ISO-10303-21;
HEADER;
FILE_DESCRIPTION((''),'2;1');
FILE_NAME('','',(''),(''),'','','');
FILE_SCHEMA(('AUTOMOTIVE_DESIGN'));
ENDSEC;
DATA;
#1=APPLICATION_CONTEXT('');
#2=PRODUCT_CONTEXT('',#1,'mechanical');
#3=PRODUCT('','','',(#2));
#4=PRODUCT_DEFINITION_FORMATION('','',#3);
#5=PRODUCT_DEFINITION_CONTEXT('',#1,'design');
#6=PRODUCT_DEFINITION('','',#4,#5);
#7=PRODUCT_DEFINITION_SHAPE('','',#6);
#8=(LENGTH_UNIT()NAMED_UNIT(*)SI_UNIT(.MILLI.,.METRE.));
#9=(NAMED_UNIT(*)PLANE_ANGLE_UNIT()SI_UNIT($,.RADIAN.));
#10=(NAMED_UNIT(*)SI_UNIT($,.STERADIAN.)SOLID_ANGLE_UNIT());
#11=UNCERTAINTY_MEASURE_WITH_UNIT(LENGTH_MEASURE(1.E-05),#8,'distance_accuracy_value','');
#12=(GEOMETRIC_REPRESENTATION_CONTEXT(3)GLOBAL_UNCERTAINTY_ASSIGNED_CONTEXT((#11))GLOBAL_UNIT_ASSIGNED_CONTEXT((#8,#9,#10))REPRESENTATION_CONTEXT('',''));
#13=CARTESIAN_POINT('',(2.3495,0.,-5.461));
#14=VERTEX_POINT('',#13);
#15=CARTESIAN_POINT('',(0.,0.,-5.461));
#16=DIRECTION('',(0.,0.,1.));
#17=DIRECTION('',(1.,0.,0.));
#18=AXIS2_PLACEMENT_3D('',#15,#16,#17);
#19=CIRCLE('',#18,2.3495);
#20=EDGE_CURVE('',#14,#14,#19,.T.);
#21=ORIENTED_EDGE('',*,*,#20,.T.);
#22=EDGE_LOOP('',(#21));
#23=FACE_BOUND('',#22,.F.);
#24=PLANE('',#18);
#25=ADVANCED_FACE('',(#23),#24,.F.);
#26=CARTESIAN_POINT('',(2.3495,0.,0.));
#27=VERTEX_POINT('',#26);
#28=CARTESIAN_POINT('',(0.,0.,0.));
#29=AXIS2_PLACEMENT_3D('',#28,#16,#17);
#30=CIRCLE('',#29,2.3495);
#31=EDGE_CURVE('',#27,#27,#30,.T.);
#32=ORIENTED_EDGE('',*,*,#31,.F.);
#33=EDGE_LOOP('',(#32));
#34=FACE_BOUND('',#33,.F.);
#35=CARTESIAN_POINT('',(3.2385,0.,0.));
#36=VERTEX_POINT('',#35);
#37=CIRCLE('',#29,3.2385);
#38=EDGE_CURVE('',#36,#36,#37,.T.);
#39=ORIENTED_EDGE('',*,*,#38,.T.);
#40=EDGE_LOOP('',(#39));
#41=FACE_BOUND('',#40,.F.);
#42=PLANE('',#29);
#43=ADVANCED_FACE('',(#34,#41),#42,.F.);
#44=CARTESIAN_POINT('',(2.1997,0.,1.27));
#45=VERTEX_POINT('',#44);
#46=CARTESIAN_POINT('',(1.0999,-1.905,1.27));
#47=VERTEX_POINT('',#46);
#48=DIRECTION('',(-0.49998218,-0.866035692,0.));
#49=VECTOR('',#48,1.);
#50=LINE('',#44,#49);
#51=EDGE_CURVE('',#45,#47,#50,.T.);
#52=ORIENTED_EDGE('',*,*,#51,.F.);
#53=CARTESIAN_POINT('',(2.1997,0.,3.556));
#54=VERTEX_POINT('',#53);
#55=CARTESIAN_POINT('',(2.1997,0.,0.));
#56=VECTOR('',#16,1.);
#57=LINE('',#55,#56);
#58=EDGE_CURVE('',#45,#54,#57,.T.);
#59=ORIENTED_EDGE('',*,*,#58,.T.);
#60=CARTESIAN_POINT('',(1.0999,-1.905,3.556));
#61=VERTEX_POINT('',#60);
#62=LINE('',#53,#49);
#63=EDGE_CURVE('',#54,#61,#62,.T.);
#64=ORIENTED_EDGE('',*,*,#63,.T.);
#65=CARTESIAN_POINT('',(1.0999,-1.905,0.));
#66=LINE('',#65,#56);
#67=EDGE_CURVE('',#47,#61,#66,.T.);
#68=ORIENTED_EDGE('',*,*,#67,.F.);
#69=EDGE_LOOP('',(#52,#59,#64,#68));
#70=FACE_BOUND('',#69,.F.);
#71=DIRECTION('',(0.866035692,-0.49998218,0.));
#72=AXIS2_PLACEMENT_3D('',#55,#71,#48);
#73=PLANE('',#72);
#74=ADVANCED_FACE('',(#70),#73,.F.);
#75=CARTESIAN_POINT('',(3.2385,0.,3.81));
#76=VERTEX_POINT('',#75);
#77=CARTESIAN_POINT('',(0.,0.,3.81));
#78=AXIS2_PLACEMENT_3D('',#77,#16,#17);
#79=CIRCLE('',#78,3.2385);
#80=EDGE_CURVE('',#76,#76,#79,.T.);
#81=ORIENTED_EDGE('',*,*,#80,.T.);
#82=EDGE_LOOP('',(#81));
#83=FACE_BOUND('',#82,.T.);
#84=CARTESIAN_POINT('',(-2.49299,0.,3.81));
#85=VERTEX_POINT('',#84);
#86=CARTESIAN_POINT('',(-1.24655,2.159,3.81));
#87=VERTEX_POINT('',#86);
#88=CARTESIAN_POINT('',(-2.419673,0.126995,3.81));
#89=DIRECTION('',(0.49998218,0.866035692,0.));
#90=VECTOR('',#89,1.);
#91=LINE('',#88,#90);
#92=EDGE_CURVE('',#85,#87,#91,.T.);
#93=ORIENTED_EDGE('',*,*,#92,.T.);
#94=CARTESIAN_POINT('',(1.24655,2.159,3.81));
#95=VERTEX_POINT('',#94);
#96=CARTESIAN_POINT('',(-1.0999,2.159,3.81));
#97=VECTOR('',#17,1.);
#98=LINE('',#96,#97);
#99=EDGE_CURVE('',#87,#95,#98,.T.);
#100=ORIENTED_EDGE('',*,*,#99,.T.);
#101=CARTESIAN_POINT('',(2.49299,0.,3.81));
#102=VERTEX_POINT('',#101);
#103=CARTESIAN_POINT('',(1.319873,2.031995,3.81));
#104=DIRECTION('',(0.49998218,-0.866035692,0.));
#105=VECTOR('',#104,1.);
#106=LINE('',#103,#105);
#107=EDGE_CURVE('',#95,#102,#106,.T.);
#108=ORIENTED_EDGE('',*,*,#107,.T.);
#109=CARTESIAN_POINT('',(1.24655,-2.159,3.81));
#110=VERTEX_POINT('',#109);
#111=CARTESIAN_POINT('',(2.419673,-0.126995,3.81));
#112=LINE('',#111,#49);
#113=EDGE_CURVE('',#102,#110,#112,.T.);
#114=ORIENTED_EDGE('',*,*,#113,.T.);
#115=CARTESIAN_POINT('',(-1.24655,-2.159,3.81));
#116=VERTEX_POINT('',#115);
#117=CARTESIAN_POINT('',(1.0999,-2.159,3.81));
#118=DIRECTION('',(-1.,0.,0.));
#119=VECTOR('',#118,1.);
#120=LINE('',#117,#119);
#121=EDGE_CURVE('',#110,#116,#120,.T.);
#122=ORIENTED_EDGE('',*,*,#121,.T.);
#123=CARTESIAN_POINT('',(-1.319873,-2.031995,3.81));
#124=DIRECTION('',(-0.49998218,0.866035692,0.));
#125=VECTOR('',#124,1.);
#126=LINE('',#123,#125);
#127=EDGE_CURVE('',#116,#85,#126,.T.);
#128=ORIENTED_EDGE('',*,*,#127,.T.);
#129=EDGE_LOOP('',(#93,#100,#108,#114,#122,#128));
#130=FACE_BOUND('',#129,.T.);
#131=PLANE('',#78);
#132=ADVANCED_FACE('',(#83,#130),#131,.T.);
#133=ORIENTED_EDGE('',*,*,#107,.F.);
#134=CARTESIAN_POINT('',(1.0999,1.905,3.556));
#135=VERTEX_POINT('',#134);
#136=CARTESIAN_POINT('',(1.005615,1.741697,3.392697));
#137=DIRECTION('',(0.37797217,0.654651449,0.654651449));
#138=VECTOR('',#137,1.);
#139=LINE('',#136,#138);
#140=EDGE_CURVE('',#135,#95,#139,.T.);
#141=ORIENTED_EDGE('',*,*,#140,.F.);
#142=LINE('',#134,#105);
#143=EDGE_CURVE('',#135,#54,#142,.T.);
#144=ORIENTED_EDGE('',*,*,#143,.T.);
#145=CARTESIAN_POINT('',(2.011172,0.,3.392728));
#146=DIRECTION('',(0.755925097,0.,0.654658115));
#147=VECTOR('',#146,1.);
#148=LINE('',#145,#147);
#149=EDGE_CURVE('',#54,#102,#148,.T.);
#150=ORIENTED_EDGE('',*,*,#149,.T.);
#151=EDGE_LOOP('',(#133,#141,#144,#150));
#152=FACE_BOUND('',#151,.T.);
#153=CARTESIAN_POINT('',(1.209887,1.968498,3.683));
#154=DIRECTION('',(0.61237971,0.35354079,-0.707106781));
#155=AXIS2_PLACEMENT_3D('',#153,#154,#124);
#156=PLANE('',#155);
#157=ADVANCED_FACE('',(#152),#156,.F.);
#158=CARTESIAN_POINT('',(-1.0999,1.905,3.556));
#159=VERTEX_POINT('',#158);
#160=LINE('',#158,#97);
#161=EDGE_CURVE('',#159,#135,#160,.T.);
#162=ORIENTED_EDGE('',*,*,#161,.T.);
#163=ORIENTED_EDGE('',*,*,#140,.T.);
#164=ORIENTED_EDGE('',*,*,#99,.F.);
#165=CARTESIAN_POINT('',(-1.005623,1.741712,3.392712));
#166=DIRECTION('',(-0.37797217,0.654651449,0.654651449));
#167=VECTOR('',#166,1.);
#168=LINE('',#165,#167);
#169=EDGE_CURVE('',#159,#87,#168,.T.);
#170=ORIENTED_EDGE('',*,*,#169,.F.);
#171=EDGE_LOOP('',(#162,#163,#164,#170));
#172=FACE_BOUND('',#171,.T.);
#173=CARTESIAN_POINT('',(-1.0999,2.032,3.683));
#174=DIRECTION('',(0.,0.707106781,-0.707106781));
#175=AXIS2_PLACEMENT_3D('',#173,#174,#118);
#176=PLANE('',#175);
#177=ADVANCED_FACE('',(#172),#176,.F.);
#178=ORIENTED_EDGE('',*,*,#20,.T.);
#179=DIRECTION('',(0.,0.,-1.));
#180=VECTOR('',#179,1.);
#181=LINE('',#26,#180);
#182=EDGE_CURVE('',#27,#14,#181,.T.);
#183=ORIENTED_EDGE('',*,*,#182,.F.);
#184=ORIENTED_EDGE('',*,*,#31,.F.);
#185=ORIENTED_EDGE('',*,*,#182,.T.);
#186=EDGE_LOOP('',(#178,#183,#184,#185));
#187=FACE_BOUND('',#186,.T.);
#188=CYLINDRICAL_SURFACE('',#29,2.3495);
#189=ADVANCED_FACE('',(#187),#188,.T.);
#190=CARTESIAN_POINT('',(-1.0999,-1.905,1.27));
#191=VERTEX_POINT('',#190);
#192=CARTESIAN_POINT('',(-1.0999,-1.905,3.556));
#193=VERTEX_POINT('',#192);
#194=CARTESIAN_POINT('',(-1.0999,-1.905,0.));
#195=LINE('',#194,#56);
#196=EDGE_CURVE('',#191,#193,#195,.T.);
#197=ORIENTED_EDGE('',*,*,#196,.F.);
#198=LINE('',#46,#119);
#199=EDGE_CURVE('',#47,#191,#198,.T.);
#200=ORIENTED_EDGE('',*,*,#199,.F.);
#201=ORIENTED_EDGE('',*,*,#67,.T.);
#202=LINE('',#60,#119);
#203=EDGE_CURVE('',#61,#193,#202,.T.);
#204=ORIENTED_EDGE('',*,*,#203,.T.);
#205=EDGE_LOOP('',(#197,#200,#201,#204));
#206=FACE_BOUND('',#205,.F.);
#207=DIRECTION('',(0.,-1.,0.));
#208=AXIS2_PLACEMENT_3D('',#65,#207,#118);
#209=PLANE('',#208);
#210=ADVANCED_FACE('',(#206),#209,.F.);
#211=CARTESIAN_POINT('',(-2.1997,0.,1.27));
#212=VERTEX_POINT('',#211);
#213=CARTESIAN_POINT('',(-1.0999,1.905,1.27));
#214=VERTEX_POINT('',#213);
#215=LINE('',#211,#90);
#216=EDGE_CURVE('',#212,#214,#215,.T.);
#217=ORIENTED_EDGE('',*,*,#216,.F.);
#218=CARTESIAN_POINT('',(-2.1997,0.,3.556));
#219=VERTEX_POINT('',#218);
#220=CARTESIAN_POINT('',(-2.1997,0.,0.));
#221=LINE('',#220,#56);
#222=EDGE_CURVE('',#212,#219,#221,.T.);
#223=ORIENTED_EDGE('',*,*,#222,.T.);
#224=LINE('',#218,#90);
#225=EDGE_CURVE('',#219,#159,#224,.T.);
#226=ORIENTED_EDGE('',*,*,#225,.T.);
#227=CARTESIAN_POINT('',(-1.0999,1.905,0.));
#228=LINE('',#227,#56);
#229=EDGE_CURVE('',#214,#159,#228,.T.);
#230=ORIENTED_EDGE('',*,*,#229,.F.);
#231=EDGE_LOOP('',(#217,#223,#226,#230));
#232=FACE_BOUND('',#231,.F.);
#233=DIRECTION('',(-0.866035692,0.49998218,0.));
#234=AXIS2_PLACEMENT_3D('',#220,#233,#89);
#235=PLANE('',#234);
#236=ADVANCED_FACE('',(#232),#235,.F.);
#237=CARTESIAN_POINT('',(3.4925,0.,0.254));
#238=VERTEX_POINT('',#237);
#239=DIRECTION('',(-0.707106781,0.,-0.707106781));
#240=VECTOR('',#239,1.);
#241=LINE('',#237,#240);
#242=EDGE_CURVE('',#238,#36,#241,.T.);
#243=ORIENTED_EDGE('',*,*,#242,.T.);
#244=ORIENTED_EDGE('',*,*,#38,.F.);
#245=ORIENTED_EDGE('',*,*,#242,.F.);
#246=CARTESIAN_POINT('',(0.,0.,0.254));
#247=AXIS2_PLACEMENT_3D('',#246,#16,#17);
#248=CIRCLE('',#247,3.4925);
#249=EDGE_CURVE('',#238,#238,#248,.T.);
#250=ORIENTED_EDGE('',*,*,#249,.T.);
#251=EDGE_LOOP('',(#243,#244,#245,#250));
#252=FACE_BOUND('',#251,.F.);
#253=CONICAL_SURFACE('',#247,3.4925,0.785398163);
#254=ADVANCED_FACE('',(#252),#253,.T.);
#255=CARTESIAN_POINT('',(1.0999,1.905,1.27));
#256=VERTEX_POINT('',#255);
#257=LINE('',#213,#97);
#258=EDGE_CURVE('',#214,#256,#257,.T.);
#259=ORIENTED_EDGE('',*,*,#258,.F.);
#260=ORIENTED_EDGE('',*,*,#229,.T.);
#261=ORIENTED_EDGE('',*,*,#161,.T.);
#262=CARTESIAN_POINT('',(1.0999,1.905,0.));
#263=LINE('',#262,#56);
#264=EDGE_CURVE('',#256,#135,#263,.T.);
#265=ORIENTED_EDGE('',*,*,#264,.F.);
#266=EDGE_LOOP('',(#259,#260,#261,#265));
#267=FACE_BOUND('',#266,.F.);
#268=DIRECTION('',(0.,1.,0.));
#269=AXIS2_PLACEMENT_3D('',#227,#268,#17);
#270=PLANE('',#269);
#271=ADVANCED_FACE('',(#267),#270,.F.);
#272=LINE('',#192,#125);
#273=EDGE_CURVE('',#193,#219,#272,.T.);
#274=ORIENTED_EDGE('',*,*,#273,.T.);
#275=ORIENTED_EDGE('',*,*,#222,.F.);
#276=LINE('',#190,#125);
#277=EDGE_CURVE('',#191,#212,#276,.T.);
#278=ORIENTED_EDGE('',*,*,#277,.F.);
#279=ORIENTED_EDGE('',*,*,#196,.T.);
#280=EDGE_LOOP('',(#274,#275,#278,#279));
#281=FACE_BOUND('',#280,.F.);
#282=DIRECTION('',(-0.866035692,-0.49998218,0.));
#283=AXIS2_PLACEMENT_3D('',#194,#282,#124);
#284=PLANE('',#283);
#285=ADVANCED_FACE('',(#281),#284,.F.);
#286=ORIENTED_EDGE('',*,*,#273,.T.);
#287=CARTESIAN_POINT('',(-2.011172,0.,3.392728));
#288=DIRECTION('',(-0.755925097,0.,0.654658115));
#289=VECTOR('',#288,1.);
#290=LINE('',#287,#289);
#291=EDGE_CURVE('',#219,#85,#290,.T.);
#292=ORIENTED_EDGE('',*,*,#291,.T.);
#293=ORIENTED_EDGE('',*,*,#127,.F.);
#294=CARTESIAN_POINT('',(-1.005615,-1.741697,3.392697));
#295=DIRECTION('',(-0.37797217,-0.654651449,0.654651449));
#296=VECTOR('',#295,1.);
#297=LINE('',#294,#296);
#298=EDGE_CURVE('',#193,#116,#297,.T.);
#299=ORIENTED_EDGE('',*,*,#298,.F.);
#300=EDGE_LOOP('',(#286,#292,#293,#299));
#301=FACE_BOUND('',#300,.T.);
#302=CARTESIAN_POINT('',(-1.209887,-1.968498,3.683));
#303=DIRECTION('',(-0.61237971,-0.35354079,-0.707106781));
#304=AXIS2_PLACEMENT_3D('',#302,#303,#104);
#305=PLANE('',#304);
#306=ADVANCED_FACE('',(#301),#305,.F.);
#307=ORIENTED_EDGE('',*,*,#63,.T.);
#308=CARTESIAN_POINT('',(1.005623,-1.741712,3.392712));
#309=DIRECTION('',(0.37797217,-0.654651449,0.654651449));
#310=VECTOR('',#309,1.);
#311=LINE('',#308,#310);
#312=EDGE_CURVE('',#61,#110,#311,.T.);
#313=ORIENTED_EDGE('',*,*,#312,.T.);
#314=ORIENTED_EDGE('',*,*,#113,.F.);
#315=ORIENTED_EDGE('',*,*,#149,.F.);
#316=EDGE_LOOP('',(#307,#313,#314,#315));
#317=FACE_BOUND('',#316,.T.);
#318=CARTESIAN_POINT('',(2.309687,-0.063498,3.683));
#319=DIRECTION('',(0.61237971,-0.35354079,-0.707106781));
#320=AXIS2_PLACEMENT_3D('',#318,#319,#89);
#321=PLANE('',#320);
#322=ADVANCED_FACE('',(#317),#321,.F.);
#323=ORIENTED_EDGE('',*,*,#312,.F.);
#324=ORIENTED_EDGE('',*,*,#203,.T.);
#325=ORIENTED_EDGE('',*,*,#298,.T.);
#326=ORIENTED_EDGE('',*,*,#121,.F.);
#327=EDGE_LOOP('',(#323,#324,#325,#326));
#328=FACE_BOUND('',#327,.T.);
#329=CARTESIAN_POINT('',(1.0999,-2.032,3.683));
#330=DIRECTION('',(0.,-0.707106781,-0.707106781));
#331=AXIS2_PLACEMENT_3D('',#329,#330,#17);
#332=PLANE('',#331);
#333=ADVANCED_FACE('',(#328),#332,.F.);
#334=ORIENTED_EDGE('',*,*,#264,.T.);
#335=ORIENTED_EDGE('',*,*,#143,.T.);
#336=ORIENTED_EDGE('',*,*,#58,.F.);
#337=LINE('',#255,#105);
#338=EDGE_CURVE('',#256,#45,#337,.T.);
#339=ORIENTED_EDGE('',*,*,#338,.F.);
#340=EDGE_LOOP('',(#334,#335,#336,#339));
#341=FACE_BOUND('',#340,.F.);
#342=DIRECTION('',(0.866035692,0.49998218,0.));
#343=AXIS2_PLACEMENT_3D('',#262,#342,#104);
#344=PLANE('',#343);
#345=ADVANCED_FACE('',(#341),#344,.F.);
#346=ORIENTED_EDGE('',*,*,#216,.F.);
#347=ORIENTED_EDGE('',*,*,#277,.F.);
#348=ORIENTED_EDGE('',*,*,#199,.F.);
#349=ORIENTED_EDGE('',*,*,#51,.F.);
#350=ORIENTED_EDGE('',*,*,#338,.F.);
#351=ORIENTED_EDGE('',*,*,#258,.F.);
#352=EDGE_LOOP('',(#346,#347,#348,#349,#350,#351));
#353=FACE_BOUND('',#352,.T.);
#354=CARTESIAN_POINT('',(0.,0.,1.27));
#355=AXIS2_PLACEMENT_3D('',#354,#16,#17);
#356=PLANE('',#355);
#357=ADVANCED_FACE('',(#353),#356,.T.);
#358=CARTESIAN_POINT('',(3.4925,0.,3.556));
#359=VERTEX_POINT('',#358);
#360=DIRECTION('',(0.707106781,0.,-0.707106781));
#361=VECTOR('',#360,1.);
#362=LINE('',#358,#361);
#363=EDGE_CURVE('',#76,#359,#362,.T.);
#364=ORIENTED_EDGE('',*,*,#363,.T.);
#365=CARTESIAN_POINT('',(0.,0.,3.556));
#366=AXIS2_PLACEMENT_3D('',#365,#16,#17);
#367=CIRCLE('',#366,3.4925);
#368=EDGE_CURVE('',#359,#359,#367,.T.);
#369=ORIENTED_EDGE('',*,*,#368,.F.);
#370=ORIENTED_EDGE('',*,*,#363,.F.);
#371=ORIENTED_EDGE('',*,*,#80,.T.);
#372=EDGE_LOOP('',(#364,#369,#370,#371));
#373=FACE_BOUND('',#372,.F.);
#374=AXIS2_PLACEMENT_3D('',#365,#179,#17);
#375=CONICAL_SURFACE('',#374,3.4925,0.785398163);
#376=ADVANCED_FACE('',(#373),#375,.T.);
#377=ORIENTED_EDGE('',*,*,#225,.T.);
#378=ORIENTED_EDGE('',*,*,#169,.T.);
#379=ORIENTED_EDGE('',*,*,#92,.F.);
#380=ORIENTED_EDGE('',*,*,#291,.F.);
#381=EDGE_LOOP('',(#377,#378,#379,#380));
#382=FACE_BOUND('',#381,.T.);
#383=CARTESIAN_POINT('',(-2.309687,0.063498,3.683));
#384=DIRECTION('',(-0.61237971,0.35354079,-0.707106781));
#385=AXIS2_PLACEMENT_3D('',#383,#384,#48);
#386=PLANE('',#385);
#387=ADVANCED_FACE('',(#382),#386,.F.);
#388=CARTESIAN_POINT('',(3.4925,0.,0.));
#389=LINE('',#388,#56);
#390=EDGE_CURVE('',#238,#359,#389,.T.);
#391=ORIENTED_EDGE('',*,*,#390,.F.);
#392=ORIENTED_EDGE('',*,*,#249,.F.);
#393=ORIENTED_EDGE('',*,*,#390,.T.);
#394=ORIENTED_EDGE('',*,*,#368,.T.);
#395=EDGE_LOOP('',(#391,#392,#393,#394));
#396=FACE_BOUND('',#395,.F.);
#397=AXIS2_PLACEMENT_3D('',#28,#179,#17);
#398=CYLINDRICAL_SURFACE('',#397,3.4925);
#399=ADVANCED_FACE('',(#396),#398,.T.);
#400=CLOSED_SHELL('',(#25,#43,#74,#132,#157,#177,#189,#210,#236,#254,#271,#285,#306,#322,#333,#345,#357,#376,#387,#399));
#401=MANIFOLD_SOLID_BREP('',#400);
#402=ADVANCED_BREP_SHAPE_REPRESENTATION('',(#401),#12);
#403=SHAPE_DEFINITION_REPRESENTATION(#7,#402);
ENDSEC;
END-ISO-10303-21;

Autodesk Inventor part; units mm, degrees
ref_plane "YZ Plane" through (0, 0, 0) normal (1, 0, 0) x (0, 1, 0)
ref_plane "XZ Plane" through (0, 0, 0) normal (0, 1, 0) x (-1, 0, 0)
ref_plane "XY Plane" through (0, 0, 0) normal (0, 0, 1) x (1, 0, 0)
sketch "Sketch1" plane through (0, 0, 0) normal (0, 0, 1) x (1, 0, 0)
  circle A0 centre (0, 0) radius 3.4925
  circle A1 centre (0, 0) radius 2.3495
  line L0 (2.1997, 0) -> (1.0999, -1.905)
  line L1 (1.0999, -1.905) -> (-1.0999, -1.905)
  line L2 (-1.0999, -1.905) -> (-2.1997, 0)
  line L3 (-2.1997, 0) -> (-1.0999, 1.905)
  line L4 (-1.0999, 1.905) -> (1.0999, 1.905)
  line L5 (1.0999, 1.905) -> (2.1997, 0)
  dimension "d0" = 6.985
  dimension "d1" = 4.699
  dimension "d2" = 3.81
extrude "Extrusion1" add sketch "Sketch1" along normal blind 3.81 contours A0 | A1
extrude "Extrusion2" add sketch "Sketch1" against normal blind 5.461 contours A1 | L0 L1 L2 L3 L4 L5
extrude "Extrusion3" add sketch "Sketch1" along normal blind 1.27 contours L0 L1 L2 L3 L4 L5
thread "Thread1" size "10-32 UNF" class "2A" standard "ANSI Unified Screw Threads" full length
chamfer "Chamfer1" distance 0.254 angle 45 8 edges at (-3.4925, 0, 3.81) (-3.4925, 0, 0) (-1.6498, 0.9525, 3.81) (-1.6498, -0.9525, 3.81) (0, -1.905, 3.81) (1.6498, -0.9525, 3.81) (1.6498, 0.9525, 3.81) (0, 1.905, 3.81)
properties part number "Gearbox Hex Machine Screw 3" material "Steel"
